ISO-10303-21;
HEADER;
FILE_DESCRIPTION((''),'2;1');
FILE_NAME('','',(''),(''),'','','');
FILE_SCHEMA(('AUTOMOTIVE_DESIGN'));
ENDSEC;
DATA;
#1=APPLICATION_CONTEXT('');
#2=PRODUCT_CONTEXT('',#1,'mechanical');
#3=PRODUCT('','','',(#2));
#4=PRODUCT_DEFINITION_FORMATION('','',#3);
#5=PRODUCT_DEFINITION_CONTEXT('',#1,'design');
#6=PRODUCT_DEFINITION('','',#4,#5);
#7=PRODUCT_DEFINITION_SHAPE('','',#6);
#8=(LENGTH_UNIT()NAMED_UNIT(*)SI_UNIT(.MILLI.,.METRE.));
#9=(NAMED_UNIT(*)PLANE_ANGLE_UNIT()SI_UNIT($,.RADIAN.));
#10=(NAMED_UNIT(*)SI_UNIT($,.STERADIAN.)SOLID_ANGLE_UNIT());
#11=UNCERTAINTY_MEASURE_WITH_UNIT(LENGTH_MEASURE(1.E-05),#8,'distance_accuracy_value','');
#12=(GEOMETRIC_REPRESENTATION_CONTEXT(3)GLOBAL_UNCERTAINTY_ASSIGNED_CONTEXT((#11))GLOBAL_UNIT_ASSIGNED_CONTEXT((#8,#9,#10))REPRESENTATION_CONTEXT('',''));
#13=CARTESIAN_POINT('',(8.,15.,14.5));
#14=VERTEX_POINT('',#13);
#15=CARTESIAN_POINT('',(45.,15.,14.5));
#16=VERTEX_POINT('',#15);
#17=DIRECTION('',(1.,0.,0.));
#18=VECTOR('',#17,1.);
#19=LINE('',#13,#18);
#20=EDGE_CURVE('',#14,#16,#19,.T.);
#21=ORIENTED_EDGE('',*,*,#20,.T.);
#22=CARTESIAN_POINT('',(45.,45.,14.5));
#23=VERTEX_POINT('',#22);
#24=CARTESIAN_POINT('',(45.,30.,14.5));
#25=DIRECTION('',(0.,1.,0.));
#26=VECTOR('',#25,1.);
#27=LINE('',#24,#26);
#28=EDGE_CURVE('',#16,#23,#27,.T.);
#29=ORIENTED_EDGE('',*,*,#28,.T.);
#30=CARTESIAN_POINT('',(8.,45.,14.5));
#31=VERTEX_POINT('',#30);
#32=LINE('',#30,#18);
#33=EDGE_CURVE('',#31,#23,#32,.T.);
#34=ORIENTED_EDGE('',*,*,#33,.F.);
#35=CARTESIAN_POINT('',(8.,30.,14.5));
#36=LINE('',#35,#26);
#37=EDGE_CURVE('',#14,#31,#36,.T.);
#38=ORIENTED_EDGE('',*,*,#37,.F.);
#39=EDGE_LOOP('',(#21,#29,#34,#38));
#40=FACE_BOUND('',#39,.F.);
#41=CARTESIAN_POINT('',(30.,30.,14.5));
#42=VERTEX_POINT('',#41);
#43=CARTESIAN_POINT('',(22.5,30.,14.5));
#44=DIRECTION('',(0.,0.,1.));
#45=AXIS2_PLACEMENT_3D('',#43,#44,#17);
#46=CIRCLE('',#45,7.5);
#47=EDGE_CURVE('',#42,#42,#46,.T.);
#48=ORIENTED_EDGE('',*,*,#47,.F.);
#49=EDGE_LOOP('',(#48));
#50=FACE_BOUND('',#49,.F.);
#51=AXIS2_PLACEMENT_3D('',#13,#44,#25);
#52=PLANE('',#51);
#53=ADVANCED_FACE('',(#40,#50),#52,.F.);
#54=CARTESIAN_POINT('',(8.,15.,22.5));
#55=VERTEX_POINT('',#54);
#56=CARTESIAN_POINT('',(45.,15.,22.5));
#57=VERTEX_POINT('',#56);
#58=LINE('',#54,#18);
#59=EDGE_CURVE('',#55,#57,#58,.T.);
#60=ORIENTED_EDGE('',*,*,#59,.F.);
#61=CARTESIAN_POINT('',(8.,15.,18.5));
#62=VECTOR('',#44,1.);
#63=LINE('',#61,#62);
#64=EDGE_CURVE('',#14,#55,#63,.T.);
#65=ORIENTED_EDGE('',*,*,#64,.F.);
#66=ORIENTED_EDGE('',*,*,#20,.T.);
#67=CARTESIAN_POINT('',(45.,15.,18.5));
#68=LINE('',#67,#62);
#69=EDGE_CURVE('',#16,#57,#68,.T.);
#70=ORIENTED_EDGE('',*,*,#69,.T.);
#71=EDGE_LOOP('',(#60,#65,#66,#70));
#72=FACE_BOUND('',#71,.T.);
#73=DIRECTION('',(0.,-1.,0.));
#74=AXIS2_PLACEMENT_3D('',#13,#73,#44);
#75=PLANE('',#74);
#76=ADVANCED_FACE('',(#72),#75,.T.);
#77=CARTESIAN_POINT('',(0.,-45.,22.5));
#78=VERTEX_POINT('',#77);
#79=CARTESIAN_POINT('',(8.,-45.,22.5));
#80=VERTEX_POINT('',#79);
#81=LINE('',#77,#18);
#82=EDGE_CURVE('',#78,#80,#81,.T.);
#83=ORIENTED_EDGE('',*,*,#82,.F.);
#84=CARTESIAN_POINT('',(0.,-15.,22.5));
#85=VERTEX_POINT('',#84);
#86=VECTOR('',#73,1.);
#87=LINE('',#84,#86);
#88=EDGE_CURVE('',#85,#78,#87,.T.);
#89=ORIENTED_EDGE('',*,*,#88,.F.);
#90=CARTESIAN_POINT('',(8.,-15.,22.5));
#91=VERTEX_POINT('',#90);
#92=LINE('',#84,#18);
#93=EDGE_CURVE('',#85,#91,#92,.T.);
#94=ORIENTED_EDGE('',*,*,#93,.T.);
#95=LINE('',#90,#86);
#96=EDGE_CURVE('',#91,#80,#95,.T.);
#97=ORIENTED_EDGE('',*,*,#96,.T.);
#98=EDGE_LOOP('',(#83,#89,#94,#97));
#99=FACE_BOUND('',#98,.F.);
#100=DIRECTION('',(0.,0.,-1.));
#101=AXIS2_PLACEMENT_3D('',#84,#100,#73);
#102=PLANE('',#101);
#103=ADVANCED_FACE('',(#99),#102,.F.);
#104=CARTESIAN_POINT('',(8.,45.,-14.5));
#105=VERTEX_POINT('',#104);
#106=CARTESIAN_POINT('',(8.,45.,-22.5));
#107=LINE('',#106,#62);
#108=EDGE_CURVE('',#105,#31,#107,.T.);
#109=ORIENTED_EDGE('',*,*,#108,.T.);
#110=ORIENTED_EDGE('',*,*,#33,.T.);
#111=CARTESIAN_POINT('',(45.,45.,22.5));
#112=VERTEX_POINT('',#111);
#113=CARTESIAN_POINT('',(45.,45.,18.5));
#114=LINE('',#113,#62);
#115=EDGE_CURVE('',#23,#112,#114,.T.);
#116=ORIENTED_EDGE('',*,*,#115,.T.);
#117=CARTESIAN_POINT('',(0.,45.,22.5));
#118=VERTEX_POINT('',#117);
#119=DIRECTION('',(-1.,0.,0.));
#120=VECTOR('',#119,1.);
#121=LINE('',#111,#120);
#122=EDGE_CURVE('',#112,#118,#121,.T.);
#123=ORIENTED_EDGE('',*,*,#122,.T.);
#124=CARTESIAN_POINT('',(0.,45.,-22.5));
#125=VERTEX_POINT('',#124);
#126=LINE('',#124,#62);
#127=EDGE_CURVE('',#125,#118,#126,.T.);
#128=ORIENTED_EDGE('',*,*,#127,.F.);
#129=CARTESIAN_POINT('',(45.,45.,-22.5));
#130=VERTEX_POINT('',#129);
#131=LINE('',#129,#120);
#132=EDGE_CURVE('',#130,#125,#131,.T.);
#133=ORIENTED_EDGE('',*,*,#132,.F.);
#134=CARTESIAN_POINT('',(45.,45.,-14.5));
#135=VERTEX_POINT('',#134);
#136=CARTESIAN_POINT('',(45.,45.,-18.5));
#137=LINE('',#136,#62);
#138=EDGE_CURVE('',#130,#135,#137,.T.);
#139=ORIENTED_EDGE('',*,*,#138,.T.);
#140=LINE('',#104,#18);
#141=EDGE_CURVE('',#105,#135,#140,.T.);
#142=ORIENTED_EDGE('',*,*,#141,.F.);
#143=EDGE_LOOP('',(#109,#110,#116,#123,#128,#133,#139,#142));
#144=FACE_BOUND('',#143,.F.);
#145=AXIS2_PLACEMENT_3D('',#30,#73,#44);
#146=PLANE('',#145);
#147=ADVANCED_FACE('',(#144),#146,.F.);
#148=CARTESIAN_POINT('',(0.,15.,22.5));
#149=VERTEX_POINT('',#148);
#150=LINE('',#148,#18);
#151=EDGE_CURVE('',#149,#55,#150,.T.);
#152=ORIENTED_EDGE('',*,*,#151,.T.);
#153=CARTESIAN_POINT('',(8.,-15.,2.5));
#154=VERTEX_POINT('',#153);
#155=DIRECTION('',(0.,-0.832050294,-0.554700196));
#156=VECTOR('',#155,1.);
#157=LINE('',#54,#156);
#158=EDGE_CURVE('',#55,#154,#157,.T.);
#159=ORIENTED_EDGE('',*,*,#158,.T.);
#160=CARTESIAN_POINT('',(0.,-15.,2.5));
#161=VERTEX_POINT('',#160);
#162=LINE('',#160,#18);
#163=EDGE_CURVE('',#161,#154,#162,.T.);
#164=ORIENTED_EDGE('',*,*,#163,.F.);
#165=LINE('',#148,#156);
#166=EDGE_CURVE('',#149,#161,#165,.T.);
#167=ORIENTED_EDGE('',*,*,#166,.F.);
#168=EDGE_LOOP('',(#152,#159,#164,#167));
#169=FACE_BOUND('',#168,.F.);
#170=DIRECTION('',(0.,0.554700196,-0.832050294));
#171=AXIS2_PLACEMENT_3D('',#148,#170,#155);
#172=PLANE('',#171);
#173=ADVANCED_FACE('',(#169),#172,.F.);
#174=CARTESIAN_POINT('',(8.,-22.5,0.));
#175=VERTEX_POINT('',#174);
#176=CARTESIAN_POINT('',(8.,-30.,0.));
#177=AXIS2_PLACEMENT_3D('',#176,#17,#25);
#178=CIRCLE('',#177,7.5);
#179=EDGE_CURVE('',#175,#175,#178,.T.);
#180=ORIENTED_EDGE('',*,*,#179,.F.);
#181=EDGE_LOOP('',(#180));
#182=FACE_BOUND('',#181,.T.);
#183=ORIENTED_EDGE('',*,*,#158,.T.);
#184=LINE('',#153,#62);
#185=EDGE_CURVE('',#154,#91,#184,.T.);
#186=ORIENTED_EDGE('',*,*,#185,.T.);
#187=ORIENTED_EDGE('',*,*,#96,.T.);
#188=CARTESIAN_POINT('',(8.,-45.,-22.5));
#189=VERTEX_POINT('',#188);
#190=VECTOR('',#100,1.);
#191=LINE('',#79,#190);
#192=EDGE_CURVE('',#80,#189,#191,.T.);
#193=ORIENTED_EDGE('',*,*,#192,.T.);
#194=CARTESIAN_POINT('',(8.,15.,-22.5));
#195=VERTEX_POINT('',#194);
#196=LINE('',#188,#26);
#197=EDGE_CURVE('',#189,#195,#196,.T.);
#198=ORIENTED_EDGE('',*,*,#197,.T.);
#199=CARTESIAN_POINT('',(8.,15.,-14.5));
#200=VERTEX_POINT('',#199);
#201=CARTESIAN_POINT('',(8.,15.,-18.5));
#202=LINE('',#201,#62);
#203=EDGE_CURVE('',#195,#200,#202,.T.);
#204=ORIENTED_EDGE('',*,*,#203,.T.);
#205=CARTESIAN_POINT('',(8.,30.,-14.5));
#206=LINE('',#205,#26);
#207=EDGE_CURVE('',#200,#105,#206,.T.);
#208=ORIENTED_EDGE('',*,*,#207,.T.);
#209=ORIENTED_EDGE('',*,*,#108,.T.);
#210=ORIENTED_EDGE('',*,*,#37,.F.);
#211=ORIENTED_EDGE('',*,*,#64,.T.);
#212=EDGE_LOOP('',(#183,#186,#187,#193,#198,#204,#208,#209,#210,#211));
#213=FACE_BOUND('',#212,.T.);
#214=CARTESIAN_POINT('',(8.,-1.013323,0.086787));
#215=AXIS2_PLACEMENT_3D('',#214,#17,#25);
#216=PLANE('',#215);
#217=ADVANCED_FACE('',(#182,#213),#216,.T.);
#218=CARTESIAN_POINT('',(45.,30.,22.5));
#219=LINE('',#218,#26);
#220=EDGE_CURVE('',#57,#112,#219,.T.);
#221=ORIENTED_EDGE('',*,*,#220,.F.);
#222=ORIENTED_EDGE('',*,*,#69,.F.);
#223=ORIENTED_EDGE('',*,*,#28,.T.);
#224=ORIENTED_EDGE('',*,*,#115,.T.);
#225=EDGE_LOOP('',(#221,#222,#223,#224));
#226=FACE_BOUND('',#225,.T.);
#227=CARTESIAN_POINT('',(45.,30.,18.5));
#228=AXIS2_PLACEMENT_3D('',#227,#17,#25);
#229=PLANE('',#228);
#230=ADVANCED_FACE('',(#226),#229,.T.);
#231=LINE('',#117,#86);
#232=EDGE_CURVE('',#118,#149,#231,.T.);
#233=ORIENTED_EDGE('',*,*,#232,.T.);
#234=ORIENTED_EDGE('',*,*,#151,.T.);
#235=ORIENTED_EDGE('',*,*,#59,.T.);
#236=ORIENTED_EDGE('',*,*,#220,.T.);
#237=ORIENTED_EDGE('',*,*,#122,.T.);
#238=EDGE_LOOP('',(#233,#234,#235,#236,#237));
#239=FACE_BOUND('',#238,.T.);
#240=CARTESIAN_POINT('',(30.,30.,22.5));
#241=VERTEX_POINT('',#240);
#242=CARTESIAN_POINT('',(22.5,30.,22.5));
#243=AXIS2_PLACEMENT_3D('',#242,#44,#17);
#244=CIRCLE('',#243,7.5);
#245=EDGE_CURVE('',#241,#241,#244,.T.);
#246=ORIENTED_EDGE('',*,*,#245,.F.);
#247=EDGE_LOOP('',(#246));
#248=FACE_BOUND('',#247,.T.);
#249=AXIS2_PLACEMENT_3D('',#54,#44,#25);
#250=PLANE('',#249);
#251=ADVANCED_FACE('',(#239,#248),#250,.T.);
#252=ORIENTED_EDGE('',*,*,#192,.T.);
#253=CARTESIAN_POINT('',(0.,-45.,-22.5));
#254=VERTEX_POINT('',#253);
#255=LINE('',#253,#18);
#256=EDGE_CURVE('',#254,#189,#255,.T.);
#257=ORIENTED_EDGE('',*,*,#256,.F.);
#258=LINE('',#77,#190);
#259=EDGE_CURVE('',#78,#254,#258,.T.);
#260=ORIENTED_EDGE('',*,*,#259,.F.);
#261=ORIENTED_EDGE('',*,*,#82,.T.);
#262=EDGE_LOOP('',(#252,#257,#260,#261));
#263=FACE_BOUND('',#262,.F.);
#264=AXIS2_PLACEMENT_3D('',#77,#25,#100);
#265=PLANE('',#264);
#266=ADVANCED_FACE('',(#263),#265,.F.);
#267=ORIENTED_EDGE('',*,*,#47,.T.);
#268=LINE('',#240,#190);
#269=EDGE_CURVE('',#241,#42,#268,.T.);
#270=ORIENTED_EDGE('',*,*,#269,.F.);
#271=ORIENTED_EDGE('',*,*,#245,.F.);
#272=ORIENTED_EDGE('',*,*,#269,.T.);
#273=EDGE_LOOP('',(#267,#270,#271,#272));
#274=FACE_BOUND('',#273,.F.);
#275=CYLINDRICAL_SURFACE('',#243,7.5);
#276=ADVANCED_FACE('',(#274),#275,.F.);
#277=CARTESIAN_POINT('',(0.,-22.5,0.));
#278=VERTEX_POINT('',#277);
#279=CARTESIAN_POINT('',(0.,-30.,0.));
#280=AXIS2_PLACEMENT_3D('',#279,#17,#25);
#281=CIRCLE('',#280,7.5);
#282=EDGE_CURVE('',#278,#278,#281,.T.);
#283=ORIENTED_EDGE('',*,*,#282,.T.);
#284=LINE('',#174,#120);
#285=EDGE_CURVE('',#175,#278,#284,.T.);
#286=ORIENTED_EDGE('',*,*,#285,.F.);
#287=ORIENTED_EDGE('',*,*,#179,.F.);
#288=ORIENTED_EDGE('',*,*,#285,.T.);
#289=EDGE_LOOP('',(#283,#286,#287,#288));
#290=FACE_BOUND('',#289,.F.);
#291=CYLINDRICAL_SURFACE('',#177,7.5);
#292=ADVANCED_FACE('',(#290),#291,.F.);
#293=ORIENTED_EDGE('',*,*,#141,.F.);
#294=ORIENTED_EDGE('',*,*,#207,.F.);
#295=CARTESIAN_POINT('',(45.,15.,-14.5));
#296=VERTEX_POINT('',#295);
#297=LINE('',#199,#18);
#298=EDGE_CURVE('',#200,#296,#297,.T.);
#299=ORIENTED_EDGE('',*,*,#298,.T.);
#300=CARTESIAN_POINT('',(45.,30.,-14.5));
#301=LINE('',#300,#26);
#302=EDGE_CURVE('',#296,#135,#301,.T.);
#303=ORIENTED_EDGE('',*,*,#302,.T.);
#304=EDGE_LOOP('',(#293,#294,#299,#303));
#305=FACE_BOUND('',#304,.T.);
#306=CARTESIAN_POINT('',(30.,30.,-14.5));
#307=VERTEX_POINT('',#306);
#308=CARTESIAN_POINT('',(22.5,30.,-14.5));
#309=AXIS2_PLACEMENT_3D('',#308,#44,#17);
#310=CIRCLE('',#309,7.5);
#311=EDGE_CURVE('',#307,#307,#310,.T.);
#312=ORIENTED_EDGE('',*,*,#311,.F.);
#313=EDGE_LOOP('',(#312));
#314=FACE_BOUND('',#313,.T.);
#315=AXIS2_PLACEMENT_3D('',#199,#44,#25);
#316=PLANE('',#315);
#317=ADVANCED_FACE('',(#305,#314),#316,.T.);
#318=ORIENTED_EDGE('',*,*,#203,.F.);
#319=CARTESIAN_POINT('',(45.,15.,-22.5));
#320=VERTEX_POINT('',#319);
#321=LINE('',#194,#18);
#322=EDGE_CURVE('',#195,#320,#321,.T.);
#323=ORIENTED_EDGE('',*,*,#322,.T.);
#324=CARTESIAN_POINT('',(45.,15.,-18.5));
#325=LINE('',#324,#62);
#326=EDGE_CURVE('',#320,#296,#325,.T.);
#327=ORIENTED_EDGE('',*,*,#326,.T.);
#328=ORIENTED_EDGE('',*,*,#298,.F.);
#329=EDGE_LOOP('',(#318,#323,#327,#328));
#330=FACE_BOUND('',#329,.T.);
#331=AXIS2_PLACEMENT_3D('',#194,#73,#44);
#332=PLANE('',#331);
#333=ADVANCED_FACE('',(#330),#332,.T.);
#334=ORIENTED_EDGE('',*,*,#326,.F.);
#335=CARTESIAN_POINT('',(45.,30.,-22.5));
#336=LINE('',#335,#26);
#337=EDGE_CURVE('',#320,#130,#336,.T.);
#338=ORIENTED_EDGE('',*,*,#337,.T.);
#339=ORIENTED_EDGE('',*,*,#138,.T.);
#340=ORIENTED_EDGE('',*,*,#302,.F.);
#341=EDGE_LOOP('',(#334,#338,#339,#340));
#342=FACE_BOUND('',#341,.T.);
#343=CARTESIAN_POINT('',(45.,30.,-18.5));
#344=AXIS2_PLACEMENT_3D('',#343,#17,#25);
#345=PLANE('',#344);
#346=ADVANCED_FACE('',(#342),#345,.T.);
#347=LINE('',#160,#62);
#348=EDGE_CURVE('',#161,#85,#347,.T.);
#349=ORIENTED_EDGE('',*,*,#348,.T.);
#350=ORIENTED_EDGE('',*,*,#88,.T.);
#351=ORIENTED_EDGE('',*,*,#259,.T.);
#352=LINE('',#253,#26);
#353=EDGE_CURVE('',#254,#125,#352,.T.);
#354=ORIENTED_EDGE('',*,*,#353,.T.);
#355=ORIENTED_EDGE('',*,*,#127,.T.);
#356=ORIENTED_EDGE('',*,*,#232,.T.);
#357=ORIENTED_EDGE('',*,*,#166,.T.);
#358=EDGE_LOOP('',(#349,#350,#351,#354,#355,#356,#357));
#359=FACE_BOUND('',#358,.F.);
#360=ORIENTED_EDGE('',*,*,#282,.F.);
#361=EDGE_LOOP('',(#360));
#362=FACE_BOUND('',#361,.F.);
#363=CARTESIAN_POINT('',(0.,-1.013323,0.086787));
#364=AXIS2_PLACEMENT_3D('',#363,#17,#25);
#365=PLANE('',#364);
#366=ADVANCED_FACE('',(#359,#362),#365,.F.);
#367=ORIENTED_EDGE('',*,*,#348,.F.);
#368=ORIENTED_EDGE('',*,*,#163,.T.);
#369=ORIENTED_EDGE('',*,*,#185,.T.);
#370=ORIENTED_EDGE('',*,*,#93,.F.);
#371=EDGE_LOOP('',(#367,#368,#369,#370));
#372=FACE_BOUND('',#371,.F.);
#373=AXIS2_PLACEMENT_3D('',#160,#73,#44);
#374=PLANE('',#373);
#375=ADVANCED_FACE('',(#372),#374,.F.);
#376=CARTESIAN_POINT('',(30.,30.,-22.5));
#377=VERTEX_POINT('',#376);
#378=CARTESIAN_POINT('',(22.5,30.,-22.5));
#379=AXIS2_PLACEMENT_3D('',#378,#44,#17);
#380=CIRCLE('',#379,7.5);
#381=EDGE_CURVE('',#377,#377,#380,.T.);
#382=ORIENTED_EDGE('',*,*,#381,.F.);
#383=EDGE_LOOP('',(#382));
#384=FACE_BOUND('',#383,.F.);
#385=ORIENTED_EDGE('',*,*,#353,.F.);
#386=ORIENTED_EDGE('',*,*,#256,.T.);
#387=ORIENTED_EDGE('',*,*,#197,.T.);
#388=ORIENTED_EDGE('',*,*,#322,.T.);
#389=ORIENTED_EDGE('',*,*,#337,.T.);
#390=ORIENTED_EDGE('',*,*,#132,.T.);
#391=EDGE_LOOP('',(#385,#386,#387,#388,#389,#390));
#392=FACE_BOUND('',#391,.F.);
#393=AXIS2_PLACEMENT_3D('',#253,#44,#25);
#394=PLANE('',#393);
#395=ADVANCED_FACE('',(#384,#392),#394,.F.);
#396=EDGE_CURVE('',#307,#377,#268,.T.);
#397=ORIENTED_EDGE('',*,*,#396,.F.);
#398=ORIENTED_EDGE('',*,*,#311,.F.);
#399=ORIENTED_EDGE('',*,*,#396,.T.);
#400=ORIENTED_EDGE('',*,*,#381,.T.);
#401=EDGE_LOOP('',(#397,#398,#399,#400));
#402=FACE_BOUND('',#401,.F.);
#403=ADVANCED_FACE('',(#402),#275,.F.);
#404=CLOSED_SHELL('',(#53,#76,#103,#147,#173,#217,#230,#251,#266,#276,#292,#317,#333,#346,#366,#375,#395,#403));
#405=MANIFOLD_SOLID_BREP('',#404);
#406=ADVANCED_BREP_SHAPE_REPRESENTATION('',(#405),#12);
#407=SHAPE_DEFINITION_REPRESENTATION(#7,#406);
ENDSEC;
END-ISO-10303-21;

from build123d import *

# Parameters (mm, degrees)
F1_DEPTH = 8
F2_W     = 30
F2_H     = 8
F3_DEPTH = 37
F4_R     = 7.5
F5_DEPTH = 45
F6_R     = 7.5
F7_DEPTH = 25


with BuildPart() as f1:
    # F0 (on Right) → F1 (new body)
    with BuildSketch(Plane.YZ):
        Polygon((45, -22.5), (45, 22.5), (15, 22.5), (-15, 2.5), (-15, 22.5), (-45, 22.5), (-45, -22.5), align=None)
    extrude(amount=F1_DEPTH)

    # F2 (on face) → F3 (join)
    with BuildSketch(Plane.YZ.offset(8)):
        with Locations((30, 18.5)):
            Rectangle(F2_W, F2_H)
        with Locations((30, -18.5)):
            Rectangle(F2_W, F2_H)
    extrude(amount=F3_DEPTH)

    # F4 (on face) → F5 (cut)
    with BuildSketch(Plane.XY.offset(22.5)):
        with Locations((22.5, 30)):
            Circle(F4_R)
    extrude(amount=-F5_DEPTH, mode=Mode.SUBTRACT)

    # F6 (on face) → F7 (cut)
    with BuildSketch(Plane.YZ.offset(8)):
        with Locations((-30, 0)):
            Circle(F6_R)
    extrude(amount=-F7_DEPTH, mode=Mode.SUBTRACT)


solid = f1.part
